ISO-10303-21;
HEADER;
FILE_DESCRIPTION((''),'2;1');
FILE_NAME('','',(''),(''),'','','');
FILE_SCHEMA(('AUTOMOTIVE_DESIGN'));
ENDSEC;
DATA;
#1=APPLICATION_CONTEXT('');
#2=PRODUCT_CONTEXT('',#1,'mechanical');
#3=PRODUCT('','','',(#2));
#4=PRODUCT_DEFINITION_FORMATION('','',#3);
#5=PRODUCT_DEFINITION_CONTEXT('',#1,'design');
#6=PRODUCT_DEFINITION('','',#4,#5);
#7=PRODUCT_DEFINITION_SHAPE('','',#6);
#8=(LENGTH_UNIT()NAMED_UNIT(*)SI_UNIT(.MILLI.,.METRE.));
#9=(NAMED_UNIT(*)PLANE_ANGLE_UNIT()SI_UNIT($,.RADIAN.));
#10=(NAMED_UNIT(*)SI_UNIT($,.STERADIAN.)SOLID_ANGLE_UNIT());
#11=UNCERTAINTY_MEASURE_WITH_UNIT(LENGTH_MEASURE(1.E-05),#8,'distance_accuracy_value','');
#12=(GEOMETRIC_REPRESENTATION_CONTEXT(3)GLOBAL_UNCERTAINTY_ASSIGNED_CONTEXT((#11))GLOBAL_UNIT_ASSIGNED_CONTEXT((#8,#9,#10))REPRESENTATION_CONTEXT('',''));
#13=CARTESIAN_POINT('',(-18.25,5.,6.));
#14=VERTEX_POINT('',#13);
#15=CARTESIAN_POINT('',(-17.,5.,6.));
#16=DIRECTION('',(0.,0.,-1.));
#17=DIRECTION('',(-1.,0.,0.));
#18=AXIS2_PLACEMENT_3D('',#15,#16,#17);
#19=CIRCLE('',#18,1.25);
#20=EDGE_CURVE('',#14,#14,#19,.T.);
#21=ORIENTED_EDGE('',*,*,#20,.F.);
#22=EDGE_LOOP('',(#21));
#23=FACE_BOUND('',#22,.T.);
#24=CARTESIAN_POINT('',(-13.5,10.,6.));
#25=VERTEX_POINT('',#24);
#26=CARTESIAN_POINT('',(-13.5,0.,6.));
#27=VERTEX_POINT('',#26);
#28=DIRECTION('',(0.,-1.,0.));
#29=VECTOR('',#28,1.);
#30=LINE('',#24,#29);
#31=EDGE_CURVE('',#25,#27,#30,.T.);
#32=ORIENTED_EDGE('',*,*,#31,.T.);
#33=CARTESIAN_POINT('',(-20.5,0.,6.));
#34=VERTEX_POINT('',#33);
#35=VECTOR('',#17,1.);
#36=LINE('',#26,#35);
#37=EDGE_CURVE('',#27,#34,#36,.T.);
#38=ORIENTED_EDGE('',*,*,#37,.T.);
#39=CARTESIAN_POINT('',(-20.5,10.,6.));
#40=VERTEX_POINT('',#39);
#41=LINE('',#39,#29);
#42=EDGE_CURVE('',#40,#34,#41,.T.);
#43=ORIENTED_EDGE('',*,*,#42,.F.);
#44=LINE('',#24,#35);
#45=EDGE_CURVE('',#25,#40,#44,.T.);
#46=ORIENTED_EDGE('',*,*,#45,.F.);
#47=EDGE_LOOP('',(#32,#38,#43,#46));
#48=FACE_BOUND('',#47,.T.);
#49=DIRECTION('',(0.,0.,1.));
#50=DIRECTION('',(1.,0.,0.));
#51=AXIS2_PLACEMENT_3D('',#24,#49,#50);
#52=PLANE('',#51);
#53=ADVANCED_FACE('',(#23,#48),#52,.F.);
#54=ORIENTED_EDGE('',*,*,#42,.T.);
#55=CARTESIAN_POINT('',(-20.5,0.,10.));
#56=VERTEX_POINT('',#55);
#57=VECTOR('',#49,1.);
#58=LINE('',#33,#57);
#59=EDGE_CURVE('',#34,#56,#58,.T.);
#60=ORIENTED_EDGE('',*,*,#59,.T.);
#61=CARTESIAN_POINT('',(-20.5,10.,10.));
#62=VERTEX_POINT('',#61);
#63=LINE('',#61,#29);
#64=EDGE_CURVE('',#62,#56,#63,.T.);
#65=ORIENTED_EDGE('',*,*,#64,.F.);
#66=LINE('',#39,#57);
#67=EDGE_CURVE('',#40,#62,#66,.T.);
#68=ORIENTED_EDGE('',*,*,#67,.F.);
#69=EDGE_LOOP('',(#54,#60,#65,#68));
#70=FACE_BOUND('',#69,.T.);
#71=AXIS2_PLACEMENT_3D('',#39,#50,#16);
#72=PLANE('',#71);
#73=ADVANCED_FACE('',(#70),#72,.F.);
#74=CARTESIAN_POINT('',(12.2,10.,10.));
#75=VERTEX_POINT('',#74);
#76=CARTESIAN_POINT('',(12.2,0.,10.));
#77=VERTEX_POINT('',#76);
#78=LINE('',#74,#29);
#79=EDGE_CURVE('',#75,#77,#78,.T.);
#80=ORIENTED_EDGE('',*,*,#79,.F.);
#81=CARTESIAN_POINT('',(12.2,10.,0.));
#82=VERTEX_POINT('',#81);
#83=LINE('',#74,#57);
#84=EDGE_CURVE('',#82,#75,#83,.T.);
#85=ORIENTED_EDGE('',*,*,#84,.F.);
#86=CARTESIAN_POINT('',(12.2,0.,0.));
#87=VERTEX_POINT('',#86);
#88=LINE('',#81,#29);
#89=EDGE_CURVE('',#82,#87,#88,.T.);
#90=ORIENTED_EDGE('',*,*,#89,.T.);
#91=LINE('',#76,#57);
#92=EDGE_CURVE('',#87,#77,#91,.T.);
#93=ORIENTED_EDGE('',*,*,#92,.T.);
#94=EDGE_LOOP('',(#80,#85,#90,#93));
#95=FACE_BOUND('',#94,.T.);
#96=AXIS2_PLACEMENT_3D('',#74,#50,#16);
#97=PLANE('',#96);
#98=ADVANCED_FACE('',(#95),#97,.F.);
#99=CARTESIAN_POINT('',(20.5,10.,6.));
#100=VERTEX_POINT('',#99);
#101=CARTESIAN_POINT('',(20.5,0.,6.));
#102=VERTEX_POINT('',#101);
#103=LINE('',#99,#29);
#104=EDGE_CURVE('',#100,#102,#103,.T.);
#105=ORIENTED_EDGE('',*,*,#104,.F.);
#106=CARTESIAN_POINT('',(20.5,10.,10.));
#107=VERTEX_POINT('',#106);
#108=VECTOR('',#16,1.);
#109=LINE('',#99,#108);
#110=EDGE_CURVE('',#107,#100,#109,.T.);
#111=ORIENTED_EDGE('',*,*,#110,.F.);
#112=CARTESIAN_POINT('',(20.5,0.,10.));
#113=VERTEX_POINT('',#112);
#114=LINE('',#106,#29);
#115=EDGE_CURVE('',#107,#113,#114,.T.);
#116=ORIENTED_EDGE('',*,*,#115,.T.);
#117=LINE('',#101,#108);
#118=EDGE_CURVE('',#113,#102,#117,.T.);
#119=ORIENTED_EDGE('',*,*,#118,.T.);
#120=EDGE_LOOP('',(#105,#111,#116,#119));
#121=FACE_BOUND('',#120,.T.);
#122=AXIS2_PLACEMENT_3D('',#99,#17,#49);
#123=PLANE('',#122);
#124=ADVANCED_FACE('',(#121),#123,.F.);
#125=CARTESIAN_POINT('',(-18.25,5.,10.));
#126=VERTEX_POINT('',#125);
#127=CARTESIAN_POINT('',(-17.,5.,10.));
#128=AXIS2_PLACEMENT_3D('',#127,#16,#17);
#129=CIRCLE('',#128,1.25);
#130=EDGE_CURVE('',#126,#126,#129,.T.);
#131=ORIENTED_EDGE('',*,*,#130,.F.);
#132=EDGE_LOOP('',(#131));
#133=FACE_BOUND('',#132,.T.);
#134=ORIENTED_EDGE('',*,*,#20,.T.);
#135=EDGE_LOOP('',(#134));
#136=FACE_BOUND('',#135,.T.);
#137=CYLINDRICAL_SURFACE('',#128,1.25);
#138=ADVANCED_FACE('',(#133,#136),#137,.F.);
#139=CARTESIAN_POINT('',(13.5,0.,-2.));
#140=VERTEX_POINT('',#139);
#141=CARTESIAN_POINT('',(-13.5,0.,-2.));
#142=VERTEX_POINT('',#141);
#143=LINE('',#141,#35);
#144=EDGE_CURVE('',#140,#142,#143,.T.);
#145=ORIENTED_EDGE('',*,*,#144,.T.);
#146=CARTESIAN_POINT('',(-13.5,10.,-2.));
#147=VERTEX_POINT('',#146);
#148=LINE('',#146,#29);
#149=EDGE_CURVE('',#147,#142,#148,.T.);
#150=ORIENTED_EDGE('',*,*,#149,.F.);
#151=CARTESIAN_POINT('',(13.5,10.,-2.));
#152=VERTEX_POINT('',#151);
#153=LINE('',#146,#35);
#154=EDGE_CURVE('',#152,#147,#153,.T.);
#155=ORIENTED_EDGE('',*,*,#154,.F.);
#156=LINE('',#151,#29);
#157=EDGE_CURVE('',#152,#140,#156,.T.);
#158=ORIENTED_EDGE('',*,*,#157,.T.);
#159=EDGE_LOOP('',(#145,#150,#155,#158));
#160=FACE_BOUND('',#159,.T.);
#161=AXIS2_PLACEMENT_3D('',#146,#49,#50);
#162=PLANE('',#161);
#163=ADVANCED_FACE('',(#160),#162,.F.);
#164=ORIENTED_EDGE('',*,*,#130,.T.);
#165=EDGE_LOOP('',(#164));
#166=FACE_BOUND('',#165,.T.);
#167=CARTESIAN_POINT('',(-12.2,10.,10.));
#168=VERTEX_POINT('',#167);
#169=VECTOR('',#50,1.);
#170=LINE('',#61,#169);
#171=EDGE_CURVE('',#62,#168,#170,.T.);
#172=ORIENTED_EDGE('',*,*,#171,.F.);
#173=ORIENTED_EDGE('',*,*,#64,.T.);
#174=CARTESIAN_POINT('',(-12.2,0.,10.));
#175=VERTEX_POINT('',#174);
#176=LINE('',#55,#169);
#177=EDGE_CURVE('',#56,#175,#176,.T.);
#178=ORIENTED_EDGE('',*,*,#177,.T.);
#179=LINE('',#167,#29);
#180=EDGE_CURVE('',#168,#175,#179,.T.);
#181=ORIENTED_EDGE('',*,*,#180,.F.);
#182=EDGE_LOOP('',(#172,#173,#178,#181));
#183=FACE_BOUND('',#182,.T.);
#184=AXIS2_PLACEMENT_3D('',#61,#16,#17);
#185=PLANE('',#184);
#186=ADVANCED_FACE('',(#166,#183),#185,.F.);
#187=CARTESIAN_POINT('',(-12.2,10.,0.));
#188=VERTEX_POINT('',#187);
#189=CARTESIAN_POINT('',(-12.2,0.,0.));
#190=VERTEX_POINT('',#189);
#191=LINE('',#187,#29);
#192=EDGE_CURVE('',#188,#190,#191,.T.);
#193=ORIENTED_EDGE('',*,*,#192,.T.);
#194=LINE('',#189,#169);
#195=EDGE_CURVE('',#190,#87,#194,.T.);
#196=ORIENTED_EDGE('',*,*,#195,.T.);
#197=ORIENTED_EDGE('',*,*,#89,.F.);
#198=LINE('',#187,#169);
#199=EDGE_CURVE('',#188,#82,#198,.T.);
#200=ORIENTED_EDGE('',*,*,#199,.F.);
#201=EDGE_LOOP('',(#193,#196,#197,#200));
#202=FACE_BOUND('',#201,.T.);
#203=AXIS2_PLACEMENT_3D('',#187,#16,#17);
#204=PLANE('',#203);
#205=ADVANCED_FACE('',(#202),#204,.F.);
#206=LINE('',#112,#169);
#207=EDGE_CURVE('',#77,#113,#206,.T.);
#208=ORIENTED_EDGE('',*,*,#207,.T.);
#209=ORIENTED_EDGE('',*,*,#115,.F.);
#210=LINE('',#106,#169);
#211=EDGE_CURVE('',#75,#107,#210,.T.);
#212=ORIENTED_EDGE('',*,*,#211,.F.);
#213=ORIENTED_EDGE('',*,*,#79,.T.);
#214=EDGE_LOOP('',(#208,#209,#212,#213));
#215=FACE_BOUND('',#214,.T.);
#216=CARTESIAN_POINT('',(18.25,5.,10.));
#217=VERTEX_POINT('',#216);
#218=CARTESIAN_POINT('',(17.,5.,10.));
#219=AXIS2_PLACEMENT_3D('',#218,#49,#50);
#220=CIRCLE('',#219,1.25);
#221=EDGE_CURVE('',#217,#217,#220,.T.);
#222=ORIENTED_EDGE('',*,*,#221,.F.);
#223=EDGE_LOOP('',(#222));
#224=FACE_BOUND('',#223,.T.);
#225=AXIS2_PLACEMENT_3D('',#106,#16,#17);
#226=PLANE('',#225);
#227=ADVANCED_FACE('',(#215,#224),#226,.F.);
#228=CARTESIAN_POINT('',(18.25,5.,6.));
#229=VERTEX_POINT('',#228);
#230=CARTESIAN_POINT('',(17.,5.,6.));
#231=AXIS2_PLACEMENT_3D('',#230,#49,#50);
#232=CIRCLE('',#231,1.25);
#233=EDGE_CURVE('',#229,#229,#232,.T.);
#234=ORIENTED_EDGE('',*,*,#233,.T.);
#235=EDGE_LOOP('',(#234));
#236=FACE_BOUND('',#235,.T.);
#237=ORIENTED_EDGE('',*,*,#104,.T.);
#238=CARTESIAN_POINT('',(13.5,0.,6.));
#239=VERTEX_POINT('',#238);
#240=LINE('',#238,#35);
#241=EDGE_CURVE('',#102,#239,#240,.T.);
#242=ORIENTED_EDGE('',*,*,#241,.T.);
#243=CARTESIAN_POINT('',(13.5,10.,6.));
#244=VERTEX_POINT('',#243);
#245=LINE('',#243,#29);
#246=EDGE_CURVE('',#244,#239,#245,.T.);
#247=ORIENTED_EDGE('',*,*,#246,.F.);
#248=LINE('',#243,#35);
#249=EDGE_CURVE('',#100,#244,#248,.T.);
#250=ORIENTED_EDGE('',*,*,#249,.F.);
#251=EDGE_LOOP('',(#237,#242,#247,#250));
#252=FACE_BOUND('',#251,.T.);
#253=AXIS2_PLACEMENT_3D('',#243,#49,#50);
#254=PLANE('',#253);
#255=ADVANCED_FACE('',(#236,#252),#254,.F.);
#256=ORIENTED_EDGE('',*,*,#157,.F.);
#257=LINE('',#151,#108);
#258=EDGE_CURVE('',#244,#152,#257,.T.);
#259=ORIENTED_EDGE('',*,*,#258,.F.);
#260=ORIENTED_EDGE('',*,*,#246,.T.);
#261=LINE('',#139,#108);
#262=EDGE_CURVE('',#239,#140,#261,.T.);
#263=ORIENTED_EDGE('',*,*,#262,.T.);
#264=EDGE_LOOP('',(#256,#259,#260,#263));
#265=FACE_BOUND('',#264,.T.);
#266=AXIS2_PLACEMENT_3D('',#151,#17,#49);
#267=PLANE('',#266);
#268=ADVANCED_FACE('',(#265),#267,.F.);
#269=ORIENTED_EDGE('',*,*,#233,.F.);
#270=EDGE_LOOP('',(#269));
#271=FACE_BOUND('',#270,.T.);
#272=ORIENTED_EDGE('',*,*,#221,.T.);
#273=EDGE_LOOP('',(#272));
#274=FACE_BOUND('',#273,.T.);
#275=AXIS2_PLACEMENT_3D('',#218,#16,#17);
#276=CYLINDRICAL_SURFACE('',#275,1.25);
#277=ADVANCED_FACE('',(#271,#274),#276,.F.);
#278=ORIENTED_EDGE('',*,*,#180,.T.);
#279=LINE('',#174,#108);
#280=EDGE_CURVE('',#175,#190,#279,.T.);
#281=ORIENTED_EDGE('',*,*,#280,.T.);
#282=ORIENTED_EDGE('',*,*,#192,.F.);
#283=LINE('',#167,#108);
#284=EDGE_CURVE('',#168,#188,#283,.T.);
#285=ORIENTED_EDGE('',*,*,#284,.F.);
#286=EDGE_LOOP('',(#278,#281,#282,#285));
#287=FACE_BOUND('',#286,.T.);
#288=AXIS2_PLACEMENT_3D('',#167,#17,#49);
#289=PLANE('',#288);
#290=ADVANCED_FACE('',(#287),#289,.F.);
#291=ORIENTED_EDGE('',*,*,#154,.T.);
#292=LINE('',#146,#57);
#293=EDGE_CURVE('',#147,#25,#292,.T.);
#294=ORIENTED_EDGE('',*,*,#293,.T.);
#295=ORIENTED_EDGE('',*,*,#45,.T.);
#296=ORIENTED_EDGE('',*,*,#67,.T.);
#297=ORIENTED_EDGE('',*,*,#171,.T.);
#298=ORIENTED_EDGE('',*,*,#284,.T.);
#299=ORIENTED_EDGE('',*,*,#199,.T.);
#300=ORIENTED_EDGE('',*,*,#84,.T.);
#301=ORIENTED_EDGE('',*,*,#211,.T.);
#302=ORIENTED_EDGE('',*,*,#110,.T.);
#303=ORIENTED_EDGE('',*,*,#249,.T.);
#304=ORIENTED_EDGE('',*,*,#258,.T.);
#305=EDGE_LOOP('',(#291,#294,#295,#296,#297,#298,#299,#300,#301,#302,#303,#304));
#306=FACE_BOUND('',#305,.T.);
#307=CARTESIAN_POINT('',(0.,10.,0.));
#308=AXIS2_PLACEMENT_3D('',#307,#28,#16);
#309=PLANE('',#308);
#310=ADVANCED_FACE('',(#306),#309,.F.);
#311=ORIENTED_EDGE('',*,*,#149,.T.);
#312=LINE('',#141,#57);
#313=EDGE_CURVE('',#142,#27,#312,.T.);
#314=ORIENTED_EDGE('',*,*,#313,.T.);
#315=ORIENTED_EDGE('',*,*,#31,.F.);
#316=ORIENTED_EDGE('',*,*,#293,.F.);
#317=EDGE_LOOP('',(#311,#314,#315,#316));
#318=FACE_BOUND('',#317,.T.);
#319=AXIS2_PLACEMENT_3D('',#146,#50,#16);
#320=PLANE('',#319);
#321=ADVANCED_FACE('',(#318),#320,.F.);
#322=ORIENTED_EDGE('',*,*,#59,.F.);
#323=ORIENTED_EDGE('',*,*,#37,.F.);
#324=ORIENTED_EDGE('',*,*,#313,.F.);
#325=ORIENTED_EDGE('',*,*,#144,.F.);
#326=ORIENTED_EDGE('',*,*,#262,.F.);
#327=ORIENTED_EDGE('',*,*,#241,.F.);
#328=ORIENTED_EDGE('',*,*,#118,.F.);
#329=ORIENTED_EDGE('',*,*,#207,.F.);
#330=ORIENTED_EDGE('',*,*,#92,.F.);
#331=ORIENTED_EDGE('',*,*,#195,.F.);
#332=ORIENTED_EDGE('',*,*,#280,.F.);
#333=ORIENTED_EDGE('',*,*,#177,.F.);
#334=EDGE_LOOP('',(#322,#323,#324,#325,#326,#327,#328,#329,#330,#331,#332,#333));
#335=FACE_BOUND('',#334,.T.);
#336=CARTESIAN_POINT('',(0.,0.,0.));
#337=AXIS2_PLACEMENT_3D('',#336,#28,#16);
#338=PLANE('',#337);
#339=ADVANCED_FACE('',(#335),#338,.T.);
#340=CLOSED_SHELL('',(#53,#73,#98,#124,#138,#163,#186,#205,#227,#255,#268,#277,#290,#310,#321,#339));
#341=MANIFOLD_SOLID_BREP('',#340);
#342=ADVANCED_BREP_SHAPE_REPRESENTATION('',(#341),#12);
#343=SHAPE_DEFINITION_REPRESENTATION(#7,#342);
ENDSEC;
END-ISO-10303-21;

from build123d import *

# Parameters (mm, degrees)
EXTRUDE_1_DEPTH     = 10
SKETCH_3_R          = 1.25
CUT_EXTRUDE_2_DEPTH = 4


with BuildPart() as part:
    # Эскиз1 → Бобышка-Вытянуть1 (new body)
    with BuildSketch(Plane(origin=(0, 0, 0), x_dir=(1, 0, 0), z_dir=(0, 1, 0))):
        Polygon((-13.5, 2), (13.5, 2), (13.5, -6), (20.5, -6), (20.5, -10), (12.2, -10), (12.2, 0), (-12.2, 0), (-12.2, -10), (-20.5, -10), (-20.5, -6), (-13.5, -6), align=None)
    extrude(amount=EXTRUDE_1_DEPTH)

    # Эскиз3 → Вырез-Вытянуть2 (cut)
    with BuildSketch(Plane(origin=(0, 0, 6), x_dir=(-1, 0, 0), z_dir=(0, 0, -1))):
        with Locations((17, 5)):
            Circle(SKETCH_3_R)
    cut_extrude_2 = extrude(amount=-CUT_EXTRUDE_2_DEPTH, mode=Mode.SUBTRACT)

    # Зеркальное отражение1: Вырез-Вытянуть2 across plane
    add(cut_extrude_2.mirror(Plane.ZY), mode=Mode.SUBTRACT)


solid = part.part
